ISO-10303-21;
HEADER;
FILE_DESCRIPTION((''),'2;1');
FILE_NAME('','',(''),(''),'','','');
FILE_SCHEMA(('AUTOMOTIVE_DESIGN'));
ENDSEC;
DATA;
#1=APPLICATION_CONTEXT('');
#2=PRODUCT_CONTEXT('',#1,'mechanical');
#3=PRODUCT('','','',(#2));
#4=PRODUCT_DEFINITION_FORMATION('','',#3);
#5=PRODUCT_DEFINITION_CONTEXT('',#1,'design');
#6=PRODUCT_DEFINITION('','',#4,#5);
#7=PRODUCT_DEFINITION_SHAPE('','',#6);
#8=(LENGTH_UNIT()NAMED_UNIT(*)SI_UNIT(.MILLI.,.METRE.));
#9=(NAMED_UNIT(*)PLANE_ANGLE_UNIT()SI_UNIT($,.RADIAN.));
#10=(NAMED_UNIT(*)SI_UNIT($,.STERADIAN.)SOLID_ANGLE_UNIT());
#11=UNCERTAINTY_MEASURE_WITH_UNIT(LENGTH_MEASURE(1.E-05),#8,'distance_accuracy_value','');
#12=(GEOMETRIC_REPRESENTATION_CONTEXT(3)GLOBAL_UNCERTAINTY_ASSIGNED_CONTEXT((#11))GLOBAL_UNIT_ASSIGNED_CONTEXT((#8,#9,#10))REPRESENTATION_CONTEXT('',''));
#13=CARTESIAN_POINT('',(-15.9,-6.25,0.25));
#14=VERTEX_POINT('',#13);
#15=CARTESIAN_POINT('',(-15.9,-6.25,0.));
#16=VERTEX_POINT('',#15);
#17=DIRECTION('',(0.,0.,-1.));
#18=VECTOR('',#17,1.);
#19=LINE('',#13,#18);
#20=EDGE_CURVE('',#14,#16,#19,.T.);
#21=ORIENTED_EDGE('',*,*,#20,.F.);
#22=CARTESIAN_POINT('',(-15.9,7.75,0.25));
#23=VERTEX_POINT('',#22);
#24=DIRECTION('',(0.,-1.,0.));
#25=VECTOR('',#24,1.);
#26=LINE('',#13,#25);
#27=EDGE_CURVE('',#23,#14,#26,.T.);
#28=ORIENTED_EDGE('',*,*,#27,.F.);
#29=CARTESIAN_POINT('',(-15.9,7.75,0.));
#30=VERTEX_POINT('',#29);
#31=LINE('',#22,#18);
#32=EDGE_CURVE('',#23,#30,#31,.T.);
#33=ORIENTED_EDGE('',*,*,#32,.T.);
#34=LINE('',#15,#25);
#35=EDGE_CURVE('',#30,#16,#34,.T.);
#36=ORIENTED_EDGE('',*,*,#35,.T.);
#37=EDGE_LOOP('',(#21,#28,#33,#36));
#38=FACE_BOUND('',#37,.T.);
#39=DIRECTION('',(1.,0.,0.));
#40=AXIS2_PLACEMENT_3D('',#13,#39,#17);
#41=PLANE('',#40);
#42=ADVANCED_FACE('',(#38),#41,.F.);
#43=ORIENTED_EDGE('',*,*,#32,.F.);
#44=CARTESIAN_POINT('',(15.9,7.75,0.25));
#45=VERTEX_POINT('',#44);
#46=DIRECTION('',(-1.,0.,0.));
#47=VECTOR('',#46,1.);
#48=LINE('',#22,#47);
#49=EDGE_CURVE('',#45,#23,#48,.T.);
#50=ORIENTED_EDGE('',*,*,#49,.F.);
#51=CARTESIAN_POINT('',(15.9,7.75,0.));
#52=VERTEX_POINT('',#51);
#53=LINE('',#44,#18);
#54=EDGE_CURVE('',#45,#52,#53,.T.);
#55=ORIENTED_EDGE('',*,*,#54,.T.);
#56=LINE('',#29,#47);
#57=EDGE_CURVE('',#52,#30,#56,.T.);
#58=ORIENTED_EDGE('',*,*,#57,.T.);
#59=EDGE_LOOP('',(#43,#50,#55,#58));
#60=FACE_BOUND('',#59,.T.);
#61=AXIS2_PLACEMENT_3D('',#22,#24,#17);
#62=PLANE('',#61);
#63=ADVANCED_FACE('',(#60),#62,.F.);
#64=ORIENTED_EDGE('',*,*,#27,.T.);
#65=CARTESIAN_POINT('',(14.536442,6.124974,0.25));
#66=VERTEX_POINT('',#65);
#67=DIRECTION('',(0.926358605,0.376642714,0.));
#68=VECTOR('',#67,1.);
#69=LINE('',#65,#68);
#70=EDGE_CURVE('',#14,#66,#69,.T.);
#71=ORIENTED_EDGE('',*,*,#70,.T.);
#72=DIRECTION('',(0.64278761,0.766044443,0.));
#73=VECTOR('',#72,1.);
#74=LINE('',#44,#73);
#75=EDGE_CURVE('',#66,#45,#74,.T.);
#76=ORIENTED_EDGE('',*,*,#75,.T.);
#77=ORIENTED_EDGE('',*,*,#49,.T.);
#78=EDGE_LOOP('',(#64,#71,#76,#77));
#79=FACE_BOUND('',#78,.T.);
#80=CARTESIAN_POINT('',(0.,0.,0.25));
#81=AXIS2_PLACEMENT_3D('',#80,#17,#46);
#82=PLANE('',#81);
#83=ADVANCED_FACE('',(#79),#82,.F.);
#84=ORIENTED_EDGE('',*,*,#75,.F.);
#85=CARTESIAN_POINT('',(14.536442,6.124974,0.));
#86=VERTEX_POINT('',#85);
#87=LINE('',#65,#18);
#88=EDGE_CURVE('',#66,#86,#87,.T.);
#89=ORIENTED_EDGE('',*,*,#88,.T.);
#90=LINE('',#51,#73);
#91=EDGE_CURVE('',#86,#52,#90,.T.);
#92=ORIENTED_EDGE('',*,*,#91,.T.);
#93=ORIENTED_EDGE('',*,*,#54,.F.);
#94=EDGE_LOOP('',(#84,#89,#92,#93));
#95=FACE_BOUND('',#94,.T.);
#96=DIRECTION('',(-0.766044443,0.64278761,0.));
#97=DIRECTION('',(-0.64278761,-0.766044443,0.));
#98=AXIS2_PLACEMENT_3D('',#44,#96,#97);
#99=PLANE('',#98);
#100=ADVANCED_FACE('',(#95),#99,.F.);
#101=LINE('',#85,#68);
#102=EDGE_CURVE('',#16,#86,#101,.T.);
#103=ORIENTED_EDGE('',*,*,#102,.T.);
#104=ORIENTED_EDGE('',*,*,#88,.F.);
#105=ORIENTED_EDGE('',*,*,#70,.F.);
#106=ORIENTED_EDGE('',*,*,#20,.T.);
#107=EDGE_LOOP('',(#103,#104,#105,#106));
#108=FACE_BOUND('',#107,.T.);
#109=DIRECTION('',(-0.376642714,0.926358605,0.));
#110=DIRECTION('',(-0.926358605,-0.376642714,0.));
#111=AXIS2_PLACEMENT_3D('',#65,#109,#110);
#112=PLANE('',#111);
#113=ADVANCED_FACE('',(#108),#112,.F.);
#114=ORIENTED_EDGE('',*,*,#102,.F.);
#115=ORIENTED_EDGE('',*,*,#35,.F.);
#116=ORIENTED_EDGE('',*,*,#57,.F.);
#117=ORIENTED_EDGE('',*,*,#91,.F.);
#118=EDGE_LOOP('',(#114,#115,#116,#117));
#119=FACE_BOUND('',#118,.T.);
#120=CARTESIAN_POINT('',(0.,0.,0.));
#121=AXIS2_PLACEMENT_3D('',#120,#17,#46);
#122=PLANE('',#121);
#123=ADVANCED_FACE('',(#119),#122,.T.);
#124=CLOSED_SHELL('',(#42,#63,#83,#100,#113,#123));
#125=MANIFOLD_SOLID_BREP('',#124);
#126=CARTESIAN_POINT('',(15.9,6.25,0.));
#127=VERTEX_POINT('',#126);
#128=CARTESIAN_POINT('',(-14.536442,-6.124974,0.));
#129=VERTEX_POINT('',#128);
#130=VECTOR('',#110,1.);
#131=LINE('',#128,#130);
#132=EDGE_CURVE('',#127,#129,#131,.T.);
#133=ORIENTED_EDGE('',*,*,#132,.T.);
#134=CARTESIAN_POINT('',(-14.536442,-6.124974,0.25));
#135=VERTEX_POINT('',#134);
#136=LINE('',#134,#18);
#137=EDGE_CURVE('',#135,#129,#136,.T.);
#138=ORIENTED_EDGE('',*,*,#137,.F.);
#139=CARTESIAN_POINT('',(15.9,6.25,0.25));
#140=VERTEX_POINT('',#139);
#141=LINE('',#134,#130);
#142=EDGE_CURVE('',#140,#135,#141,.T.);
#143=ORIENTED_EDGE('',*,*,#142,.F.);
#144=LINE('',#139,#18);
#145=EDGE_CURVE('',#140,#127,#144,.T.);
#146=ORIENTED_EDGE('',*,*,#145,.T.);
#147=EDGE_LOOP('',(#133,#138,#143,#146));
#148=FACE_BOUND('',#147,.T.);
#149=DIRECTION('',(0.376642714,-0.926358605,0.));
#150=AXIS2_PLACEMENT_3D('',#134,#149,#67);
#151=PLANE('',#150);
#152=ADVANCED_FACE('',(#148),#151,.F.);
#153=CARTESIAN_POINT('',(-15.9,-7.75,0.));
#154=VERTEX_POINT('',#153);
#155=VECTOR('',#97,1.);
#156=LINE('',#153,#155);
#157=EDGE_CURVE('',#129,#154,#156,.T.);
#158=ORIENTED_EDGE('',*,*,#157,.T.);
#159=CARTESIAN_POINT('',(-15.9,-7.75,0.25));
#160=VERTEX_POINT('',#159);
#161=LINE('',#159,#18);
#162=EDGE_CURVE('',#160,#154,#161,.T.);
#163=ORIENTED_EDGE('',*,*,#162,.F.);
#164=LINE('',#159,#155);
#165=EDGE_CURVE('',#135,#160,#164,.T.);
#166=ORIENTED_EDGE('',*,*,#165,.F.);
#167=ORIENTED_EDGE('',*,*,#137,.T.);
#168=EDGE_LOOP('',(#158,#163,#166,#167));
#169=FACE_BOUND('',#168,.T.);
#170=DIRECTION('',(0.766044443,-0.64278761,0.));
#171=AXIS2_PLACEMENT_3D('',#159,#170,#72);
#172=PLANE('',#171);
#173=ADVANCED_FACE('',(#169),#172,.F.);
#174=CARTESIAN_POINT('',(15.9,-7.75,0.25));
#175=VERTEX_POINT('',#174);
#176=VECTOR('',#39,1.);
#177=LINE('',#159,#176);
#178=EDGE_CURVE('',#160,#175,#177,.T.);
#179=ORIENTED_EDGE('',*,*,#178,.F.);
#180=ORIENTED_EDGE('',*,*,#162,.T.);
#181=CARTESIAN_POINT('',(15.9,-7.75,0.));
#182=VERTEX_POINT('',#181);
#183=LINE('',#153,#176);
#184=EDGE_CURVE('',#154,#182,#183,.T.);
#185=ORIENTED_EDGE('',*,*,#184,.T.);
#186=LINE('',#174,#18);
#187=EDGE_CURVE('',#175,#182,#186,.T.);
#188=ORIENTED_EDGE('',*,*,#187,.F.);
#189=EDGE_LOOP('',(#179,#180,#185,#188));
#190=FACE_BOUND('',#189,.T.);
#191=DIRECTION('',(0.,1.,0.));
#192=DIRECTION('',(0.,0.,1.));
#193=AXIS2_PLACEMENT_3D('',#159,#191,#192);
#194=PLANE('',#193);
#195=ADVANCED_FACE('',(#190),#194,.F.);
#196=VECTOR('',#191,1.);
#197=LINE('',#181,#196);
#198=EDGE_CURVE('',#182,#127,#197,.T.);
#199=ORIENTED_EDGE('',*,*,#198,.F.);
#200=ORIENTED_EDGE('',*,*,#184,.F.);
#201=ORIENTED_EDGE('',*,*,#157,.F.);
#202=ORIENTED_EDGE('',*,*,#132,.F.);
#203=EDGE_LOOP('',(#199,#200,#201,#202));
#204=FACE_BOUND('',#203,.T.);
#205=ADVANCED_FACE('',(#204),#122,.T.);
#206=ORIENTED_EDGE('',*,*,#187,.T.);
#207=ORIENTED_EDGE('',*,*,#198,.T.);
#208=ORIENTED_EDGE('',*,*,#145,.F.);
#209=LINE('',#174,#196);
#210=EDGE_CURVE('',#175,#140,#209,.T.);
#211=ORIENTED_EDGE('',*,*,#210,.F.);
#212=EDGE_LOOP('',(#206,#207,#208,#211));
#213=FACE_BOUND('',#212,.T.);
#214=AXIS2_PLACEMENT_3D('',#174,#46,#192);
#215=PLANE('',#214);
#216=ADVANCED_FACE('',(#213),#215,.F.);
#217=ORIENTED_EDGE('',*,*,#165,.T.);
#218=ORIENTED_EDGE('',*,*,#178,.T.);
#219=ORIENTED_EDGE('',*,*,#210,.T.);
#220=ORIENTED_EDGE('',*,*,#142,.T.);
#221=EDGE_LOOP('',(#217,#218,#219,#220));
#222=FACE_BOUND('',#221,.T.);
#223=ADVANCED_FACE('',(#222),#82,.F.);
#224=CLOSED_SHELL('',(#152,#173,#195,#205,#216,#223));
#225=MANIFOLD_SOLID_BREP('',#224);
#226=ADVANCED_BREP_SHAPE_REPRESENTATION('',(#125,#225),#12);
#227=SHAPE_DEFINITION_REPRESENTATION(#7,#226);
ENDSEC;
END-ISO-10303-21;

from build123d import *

# Parameters (mm, degrees)
BOSS_EXTRUDE2_DEPTH   = 0.25
BOSS_EXTRUDE2_2_DEPTH = 0.25


with BuildPart() as part:
    # Sketch2 → Boss-Extrude2 (new body)
    with BuildSketch(Plane.XY):
        Polygon((-15.9, -6.25), (-15.9, 7.75), (15.9, 7.75), (14.536441567, 6.124974339), align=None)
    extrude(amount=BOSS_EXTRUDE2_DEPTH)


with BuildPart() as body_2:
    # Sketch2 → Boss-Extrude2 2 (new body)
    with BuildSketch(Plane.XY):
        Polygon((-15.9, -7.75), (15.9, -7.75), (15.9, 6.25), (-14.536441567, -6.124974339), align=None)
    extrude(amount=BOSS_EXTRUDE2_2_DEPTH)


solid = Compound([part.part, body_2.part])
